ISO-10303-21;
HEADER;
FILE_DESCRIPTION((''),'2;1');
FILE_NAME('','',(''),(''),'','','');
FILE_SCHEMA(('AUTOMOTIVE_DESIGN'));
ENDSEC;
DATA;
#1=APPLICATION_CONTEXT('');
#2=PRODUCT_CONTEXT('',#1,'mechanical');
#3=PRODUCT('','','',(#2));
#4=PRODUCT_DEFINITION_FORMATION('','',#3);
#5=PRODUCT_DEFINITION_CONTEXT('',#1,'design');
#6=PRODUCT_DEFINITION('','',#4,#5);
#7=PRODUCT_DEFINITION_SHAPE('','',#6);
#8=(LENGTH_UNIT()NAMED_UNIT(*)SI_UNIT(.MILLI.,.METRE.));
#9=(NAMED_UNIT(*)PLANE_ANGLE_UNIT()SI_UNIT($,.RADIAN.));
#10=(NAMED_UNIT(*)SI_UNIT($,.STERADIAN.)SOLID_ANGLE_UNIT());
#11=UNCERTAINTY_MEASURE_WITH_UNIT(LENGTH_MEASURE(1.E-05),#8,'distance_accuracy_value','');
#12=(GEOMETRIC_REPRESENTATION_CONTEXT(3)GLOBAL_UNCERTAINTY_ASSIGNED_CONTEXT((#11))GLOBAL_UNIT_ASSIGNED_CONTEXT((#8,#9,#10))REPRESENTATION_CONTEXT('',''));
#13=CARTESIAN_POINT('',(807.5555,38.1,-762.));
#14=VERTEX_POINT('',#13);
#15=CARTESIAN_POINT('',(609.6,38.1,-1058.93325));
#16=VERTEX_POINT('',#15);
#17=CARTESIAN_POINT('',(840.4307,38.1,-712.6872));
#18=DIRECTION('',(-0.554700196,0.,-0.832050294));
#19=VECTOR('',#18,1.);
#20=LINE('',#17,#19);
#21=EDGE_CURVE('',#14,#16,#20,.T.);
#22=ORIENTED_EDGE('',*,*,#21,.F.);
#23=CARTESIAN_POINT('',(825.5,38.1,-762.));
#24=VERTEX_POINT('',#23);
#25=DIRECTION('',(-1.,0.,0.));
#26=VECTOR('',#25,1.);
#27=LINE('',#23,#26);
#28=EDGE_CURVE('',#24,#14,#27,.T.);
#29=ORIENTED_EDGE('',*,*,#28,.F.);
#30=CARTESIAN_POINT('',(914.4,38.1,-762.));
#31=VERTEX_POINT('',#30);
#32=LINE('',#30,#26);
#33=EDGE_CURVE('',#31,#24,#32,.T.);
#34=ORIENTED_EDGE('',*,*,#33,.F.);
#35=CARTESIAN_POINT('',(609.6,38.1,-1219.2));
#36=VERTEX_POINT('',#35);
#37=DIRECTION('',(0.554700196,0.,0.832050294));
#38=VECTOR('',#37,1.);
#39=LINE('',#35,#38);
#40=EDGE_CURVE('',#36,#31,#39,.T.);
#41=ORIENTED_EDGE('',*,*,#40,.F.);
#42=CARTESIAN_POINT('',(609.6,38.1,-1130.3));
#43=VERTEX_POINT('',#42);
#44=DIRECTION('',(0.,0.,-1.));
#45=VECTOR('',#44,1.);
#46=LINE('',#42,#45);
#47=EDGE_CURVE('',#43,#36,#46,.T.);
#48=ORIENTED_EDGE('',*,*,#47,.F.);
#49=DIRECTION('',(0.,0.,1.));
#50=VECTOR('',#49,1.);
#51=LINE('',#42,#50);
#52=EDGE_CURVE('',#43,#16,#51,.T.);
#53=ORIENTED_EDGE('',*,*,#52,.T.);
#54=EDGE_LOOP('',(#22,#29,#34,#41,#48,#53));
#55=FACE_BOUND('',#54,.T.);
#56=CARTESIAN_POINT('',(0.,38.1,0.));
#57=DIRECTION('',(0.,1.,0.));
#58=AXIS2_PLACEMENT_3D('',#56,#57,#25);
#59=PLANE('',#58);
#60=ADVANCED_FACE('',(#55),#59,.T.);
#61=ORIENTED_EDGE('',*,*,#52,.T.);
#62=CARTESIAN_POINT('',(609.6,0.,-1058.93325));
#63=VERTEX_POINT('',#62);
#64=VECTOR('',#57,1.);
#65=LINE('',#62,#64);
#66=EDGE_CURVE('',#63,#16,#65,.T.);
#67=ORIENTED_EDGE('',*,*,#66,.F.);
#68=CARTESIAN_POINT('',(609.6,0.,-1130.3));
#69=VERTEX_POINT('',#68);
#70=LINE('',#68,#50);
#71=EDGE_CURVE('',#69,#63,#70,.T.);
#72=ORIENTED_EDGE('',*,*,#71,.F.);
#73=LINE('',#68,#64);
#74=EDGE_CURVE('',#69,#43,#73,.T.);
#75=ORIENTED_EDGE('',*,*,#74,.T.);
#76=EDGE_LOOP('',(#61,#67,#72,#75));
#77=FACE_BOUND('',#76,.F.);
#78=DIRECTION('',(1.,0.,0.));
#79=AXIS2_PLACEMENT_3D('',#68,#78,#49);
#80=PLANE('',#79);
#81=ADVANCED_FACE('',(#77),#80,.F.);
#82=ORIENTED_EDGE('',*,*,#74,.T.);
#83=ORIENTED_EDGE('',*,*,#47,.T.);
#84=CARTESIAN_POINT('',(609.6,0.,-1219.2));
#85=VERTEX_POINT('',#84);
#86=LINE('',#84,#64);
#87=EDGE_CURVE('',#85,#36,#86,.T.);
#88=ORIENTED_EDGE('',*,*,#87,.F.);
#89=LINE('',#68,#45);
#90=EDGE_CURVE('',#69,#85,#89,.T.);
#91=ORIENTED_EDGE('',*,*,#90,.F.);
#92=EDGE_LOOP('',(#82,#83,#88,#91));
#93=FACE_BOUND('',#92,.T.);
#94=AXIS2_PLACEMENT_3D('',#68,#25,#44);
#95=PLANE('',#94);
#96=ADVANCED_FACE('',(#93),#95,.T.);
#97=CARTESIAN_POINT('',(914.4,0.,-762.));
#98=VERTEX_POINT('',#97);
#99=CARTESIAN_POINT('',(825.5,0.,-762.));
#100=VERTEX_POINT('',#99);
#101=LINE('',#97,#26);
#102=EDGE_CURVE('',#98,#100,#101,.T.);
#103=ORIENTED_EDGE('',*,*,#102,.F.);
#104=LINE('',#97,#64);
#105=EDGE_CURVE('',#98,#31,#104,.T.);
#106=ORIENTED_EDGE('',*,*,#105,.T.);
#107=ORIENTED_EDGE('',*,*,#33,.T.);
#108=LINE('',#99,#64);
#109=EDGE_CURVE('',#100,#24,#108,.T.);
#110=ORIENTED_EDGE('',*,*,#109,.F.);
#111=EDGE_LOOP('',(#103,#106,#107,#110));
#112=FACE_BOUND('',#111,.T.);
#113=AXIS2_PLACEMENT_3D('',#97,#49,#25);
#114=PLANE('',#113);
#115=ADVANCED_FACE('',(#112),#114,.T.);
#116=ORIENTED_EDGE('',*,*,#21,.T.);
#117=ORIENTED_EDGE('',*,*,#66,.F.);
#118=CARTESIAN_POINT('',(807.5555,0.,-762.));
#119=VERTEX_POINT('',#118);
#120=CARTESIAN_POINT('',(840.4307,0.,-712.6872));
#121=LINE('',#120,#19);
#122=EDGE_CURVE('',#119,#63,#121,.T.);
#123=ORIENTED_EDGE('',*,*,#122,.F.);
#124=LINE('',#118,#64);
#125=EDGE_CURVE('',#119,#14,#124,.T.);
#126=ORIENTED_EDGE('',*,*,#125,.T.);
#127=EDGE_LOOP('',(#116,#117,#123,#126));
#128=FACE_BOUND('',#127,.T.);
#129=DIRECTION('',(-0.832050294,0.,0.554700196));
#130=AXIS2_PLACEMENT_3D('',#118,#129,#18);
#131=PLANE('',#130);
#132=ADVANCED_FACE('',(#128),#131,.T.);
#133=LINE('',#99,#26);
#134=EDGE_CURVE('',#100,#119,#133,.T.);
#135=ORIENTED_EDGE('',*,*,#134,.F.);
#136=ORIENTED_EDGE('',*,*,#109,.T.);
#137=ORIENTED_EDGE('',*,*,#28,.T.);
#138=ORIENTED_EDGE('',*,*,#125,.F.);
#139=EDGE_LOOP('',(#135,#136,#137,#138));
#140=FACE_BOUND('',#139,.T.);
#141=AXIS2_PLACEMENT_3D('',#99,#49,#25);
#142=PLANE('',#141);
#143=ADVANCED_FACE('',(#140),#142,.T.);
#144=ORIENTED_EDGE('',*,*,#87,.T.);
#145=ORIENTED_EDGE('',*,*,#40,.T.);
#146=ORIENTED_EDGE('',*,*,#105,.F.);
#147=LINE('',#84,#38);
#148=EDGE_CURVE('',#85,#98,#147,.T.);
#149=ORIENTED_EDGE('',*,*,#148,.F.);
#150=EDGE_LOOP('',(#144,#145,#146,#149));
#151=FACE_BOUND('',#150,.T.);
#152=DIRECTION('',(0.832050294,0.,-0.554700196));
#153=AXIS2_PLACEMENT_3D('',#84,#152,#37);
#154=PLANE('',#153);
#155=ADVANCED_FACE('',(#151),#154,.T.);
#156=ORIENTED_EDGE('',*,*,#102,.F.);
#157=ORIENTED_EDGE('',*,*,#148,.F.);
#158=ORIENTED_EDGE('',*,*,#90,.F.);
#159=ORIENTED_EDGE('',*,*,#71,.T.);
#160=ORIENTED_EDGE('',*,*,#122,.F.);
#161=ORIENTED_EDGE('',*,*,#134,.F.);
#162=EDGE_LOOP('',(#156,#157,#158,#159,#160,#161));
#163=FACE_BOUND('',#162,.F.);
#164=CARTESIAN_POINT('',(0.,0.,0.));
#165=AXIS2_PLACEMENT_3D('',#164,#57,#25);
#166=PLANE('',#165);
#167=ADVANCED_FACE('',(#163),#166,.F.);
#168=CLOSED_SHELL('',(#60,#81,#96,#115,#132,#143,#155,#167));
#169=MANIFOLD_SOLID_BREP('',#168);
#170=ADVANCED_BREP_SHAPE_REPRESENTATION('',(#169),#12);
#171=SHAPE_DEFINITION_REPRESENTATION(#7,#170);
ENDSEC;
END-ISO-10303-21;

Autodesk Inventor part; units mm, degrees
ref_plane "YZ Plane" through (0, 0, 0) normal (1, 0, 0) x (0, 1, 0)
ref_plane "XZ Plane" through (0, 0, 0) normal (0, 1, 0) x (-1, 0, 0)
ref_plane "XY Plane" through (0, 0, 0) normal (0, 0, 1) x (1, 0, 0)
sketch "Sketch1" plane through (0, 0, 0) normal (0, 1, 0) x (-1, 0, 0)
  line L0 (0, 0) -> (-609.6, 0)
  line L1 (-609.6, 0) -> (-914.4, 0)
  line L2 (-914.4, 0) -> (-914.4, 152.4)
  line L3 (-609.6, 0) -> (-914.4, 152.4)
  line L4 (0, 0) -> (0, 304.8)
  line L5 (0, 304.8) -> (-609.6, 0)
  line L6 (-914.4, 0) -> (-914.4, -762)
  line L7 (0, 0) -> (0, -1219.2)
  line L8 (0, -1219.2) -> (-609.6, -1219.2)
  line L9 (-609.6, -1219.2) -> (-914.4, -762)
  line L10 (-914.4, -762) -> (-840.4307, -712.6872)
  line L11 (-609.6, -1219.2) -> (-535.6307, -1169.8872)
  line L12 (0, -1219.2) -> (0, -1130.3)
  line L13 (0, -1130.3) -> (-609.6, -1130.3)
  line L14 (-609.6, -1130.3) -> (-609.6, -1219.2)
  line L15 (-914.4, -762) -> (-825.5, -762)
  line L16 (-825.5, -762) -> (-825.5, 0)
  line L17 (-840.4307, -712.6872) -> (-535.6307, -1169.8872)
  line L18 (-609.6, -1130.3) -> (-609.6, 0)
  line L19 (-825.5, -762) -> (-609.6, -762)
  point P0 (-609.6, -1058.9332)
  point P1 (-807.5555, -762)
  dimension "d0" = 609.6
  dimension "d1" = 304.8
  dimension "d2" = 152.4
  dimension "d3" = 304.8
  dimension "d4" = 762
  dimension "d5" = 1219.2
  dimension "d6" = 609.6
  dimension "d7" = 88.9
  dimension "d8" = 88.9
  dimension "d9" = 88.9
  dimension "d10" = 609.6
  dimension "d11" = 88.9
extrude "Extrusion1" add sketch "Sketch1" along normal blind 38.1 contours L18 L14 L9 L15 L19 L17
properties part number "S_2x4x21.633"
